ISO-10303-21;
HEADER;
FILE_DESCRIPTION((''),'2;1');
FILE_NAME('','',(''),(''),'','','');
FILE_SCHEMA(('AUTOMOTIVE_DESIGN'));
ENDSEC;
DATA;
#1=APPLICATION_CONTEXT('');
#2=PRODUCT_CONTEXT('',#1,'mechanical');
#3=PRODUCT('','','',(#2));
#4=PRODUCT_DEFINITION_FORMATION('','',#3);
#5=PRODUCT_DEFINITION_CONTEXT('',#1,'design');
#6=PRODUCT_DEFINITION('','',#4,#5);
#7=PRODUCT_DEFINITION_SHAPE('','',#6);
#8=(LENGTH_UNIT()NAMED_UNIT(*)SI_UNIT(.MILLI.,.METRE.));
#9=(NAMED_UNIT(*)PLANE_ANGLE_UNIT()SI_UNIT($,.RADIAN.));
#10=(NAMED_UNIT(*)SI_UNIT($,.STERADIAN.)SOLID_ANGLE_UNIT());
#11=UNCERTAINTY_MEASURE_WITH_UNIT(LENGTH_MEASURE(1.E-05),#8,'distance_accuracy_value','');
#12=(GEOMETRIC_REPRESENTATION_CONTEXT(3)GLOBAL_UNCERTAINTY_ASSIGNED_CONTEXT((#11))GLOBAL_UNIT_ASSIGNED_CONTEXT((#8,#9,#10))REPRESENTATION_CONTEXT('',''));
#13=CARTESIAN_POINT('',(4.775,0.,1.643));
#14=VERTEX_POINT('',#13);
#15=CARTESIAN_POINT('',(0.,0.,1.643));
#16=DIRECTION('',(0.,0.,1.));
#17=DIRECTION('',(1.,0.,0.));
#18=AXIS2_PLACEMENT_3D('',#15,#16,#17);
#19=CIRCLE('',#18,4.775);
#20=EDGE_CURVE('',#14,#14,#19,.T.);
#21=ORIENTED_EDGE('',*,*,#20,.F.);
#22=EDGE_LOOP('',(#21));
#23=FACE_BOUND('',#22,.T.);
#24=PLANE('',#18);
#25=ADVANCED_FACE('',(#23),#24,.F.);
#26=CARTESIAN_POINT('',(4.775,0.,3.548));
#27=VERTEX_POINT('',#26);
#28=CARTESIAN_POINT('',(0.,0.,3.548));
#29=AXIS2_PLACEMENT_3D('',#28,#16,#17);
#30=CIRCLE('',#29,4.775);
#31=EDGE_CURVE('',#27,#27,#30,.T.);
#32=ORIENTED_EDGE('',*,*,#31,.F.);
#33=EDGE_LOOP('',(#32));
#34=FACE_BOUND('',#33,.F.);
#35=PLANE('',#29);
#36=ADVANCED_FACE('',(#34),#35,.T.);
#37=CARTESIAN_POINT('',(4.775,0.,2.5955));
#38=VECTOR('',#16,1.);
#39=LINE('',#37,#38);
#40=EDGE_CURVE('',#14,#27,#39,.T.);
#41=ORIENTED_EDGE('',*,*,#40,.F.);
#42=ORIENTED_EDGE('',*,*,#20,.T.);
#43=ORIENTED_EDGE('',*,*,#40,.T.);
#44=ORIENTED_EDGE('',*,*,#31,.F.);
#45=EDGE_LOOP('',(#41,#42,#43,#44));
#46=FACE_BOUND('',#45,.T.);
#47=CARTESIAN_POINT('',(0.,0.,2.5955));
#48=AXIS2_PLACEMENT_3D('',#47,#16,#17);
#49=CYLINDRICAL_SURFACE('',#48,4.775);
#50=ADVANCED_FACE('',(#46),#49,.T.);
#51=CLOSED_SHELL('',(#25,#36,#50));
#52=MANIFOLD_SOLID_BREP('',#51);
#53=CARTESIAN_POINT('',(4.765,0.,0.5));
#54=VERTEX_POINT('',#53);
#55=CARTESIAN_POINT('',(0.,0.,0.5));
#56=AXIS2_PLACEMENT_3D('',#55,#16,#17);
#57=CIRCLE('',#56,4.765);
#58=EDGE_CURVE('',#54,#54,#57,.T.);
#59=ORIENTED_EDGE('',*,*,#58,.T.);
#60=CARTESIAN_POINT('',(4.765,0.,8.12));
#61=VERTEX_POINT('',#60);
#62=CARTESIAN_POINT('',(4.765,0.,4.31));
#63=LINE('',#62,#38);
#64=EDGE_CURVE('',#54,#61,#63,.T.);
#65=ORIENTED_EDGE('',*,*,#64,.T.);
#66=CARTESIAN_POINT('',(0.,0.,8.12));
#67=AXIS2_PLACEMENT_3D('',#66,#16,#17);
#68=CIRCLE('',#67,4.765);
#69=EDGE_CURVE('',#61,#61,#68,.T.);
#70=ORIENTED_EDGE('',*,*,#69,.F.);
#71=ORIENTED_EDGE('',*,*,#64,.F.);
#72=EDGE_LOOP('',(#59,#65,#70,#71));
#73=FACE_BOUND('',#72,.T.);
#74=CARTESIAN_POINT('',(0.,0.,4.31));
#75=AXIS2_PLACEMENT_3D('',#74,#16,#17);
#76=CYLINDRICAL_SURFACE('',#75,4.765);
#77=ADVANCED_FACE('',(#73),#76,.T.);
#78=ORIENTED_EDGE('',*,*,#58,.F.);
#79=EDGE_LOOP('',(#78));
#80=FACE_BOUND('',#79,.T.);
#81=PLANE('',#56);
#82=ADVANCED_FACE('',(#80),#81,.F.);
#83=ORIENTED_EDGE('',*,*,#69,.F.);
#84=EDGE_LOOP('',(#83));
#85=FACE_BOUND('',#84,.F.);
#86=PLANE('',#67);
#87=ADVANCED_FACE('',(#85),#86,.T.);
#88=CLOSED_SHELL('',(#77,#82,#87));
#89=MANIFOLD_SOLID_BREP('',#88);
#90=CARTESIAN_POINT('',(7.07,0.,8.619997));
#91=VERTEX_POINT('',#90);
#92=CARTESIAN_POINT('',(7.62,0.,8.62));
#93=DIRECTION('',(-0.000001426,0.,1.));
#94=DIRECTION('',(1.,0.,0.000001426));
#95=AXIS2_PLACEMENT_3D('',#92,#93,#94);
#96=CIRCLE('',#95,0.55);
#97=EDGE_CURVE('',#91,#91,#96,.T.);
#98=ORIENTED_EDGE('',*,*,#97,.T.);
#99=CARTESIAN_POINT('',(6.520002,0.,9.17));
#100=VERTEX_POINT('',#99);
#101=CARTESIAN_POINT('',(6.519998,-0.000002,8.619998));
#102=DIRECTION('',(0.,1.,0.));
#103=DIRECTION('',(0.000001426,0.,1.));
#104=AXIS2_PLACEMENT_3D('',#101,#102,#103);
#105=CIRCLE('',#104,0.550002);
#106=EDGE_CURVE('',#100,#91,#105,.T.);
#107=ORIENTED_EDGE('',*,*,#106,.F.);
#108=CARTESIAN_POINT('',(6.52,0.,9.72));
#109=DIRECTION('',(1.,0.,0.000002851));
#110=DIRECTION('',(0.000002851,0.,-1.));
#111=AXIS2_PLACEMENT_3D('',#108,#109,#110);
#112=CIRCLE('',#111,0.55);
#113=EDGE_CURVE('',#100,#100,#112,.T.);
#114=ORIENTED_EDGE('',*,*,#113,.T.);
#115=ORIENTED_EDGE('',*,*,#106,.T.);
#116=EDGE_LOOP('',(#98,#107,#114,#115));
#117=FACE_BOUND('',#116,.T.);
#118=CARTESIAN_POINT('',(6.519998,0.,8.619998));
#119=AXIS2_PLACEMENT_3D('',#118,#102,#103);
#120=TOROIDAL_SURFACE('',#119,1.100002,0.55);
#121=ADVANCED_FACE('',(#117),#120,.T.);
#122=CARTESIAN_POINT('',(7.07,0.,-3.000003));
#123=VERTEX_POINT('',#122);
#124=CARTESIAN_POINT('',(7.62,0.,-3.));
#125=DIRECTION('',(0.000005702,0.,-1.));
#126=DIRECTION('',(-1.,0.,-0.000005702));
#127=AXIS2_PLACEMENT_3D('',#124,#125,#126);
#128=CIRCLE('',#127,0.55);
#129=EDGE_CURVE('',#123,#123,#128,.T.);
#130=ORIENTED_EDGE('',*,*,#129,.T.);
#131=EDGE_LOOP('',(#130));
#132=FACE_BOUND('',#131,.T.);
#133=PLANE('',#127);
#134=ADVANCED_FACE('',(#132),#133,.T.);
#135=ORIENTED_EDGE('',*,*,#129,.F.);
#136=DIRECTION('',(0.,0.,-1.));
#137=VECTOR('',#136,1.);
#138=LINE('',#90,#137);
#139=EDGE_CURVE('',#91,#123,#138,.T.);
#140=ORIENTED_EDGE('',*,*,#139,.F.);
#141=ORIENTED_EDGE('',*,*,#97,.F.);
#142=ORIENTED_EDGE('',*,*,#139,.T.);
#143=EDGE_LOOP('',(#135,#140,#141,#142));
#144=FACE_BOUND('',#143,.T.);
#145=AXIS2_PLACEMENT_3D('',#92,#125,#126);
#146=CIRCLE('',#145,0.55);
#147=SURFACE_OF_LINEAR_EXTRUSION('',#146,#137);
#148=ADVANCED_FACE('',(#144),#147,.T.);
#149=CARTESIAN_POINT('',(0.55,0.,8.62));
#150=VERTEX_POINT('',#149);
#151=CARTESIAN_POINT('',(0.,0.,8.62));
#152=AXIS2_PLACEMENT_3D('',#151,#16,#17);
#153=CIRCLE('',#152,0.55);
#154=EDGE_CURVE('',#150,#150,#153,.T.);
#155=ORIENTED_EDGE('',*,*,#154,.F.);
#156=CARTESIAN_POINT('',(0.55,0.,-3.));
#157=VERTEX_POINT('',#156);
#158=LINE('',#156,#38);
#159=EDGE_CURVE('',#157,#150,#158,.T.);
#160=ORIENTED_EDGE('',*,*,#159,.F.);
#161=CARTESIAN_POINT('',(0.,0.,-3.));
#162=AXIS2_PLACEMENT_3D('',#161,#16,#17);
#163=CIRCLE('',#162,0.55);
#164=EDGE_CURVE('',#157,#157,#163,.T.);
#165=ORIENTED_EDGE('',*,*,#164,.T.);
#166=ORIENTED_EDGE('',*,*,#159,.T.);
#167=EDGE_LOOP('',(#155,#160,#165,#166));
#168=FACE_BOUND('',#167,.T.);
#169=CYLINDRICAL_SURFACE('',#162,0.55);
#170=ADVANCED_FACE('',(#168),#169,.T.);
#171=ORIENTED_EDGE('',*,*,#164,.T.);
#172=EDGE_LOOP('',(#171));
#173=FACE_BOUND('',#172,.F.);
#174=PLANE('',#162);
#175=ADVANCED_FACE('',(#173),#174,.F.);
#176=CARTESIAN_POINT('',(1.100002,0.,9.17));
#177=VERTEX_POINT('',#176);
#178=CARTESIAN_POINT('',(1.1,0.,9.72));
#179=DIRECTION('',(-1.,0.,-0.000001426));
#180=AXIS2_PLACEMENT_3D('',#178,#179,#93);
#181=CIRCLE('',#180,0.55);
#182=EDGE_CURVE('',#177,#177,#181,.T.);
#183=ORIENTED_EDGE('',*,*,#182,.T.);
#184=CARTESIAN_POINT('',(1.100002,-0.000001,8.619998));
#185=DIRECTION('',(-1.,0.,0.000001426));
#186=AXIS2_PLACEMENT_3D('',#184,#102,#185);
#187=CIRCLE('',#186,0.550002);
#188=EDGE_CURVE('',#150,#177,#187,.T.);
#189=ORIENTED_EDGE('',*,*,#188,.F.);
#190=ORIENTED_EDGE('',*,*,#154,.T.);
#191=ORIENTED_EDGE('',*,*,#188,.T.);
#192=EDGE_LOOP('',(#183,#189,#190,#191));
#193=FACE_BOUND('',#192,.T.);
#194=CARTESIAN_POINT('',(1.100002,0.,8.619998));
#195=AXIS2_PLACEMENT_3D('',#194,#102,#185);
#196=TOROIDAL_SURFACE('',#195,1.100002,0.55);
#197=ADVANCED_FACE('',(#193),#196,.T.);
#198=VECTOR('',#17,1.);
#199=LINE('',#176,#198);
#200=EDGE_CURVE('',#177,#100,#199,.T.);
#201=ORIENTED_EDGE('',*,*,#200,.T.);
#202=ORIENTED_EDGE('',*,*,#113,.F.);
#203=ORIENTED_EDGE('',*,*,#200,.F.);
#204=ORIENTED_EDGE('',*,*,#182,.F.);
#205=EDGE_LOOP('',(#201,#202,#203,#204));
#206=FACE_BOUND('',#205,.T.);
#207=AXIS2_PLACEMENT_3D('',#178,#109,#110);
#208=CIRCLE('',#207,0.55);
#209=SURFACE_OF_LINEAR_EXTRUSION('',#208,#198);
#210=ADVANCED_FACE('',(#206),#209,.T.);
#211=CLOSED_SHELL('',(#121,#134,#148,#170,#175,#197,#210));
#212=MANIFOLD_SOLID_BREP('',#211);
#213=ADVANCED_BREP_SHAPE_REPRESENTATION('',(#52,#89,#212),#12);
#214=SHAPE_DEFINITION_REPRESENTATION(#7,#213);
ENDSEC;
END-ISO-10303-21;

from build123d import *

# Parameters (mm, degrees)
SKETCH001_R = 0.55
SKETCH002_W = 4.765
SKETCH002_H = 7.62
SKETCH003_W = 4.775
SKETCH003_H = 1.905


with BuildPart() as sweep_body:
    # Sweep: sweep along a path in Sketch
    with BuildLine(Plane.XZ) as sweep_path:
        Line((0, -3), (0, 8.62))
        ThreePointArc((0, 8.62), (0.322183, 9.397817), (1.1, 9.72))
        Line((1.1, 9.72), (6.52, 9.72))
        ThreePointArc((6.52, 9.72), (7.297817, 9.397817), (7.62, 8.62))
        Line((7.62, 8.62), (7.62, -3))
    # Sketch001 → Sweep (sweep)
    with BuildSketch(Plane.XY):
        Circle(SKETCH001_R)
    sweep(path=sweep_path.line)


with BuildPart() as revolution:
    # Sketch002 → Revolution (revolve)
    with BuildSketch(Plane.XZ):
        with Locations((2.3825, 4.31)):
            Rectangle(SKETCH002_W, SKETCH002_H)
    revolve(axis=Axis((0, 0, 0.5), (0, 0, 1)))


with BuildPart() as revolution001:
    # Sketch003 → Revolution001 (revolve)
    with BuildSketch(Plane.XZ):
        with Locations((2.3875, 2.5955)):
            Rectangle(SKETCH003_W, SKETCH003_H)
    revolve(axis=Axis((0, 0, 0), (0, 0, 1)))


solid = Compound([sweep_body.part, revolution.part, revolution001.part])
